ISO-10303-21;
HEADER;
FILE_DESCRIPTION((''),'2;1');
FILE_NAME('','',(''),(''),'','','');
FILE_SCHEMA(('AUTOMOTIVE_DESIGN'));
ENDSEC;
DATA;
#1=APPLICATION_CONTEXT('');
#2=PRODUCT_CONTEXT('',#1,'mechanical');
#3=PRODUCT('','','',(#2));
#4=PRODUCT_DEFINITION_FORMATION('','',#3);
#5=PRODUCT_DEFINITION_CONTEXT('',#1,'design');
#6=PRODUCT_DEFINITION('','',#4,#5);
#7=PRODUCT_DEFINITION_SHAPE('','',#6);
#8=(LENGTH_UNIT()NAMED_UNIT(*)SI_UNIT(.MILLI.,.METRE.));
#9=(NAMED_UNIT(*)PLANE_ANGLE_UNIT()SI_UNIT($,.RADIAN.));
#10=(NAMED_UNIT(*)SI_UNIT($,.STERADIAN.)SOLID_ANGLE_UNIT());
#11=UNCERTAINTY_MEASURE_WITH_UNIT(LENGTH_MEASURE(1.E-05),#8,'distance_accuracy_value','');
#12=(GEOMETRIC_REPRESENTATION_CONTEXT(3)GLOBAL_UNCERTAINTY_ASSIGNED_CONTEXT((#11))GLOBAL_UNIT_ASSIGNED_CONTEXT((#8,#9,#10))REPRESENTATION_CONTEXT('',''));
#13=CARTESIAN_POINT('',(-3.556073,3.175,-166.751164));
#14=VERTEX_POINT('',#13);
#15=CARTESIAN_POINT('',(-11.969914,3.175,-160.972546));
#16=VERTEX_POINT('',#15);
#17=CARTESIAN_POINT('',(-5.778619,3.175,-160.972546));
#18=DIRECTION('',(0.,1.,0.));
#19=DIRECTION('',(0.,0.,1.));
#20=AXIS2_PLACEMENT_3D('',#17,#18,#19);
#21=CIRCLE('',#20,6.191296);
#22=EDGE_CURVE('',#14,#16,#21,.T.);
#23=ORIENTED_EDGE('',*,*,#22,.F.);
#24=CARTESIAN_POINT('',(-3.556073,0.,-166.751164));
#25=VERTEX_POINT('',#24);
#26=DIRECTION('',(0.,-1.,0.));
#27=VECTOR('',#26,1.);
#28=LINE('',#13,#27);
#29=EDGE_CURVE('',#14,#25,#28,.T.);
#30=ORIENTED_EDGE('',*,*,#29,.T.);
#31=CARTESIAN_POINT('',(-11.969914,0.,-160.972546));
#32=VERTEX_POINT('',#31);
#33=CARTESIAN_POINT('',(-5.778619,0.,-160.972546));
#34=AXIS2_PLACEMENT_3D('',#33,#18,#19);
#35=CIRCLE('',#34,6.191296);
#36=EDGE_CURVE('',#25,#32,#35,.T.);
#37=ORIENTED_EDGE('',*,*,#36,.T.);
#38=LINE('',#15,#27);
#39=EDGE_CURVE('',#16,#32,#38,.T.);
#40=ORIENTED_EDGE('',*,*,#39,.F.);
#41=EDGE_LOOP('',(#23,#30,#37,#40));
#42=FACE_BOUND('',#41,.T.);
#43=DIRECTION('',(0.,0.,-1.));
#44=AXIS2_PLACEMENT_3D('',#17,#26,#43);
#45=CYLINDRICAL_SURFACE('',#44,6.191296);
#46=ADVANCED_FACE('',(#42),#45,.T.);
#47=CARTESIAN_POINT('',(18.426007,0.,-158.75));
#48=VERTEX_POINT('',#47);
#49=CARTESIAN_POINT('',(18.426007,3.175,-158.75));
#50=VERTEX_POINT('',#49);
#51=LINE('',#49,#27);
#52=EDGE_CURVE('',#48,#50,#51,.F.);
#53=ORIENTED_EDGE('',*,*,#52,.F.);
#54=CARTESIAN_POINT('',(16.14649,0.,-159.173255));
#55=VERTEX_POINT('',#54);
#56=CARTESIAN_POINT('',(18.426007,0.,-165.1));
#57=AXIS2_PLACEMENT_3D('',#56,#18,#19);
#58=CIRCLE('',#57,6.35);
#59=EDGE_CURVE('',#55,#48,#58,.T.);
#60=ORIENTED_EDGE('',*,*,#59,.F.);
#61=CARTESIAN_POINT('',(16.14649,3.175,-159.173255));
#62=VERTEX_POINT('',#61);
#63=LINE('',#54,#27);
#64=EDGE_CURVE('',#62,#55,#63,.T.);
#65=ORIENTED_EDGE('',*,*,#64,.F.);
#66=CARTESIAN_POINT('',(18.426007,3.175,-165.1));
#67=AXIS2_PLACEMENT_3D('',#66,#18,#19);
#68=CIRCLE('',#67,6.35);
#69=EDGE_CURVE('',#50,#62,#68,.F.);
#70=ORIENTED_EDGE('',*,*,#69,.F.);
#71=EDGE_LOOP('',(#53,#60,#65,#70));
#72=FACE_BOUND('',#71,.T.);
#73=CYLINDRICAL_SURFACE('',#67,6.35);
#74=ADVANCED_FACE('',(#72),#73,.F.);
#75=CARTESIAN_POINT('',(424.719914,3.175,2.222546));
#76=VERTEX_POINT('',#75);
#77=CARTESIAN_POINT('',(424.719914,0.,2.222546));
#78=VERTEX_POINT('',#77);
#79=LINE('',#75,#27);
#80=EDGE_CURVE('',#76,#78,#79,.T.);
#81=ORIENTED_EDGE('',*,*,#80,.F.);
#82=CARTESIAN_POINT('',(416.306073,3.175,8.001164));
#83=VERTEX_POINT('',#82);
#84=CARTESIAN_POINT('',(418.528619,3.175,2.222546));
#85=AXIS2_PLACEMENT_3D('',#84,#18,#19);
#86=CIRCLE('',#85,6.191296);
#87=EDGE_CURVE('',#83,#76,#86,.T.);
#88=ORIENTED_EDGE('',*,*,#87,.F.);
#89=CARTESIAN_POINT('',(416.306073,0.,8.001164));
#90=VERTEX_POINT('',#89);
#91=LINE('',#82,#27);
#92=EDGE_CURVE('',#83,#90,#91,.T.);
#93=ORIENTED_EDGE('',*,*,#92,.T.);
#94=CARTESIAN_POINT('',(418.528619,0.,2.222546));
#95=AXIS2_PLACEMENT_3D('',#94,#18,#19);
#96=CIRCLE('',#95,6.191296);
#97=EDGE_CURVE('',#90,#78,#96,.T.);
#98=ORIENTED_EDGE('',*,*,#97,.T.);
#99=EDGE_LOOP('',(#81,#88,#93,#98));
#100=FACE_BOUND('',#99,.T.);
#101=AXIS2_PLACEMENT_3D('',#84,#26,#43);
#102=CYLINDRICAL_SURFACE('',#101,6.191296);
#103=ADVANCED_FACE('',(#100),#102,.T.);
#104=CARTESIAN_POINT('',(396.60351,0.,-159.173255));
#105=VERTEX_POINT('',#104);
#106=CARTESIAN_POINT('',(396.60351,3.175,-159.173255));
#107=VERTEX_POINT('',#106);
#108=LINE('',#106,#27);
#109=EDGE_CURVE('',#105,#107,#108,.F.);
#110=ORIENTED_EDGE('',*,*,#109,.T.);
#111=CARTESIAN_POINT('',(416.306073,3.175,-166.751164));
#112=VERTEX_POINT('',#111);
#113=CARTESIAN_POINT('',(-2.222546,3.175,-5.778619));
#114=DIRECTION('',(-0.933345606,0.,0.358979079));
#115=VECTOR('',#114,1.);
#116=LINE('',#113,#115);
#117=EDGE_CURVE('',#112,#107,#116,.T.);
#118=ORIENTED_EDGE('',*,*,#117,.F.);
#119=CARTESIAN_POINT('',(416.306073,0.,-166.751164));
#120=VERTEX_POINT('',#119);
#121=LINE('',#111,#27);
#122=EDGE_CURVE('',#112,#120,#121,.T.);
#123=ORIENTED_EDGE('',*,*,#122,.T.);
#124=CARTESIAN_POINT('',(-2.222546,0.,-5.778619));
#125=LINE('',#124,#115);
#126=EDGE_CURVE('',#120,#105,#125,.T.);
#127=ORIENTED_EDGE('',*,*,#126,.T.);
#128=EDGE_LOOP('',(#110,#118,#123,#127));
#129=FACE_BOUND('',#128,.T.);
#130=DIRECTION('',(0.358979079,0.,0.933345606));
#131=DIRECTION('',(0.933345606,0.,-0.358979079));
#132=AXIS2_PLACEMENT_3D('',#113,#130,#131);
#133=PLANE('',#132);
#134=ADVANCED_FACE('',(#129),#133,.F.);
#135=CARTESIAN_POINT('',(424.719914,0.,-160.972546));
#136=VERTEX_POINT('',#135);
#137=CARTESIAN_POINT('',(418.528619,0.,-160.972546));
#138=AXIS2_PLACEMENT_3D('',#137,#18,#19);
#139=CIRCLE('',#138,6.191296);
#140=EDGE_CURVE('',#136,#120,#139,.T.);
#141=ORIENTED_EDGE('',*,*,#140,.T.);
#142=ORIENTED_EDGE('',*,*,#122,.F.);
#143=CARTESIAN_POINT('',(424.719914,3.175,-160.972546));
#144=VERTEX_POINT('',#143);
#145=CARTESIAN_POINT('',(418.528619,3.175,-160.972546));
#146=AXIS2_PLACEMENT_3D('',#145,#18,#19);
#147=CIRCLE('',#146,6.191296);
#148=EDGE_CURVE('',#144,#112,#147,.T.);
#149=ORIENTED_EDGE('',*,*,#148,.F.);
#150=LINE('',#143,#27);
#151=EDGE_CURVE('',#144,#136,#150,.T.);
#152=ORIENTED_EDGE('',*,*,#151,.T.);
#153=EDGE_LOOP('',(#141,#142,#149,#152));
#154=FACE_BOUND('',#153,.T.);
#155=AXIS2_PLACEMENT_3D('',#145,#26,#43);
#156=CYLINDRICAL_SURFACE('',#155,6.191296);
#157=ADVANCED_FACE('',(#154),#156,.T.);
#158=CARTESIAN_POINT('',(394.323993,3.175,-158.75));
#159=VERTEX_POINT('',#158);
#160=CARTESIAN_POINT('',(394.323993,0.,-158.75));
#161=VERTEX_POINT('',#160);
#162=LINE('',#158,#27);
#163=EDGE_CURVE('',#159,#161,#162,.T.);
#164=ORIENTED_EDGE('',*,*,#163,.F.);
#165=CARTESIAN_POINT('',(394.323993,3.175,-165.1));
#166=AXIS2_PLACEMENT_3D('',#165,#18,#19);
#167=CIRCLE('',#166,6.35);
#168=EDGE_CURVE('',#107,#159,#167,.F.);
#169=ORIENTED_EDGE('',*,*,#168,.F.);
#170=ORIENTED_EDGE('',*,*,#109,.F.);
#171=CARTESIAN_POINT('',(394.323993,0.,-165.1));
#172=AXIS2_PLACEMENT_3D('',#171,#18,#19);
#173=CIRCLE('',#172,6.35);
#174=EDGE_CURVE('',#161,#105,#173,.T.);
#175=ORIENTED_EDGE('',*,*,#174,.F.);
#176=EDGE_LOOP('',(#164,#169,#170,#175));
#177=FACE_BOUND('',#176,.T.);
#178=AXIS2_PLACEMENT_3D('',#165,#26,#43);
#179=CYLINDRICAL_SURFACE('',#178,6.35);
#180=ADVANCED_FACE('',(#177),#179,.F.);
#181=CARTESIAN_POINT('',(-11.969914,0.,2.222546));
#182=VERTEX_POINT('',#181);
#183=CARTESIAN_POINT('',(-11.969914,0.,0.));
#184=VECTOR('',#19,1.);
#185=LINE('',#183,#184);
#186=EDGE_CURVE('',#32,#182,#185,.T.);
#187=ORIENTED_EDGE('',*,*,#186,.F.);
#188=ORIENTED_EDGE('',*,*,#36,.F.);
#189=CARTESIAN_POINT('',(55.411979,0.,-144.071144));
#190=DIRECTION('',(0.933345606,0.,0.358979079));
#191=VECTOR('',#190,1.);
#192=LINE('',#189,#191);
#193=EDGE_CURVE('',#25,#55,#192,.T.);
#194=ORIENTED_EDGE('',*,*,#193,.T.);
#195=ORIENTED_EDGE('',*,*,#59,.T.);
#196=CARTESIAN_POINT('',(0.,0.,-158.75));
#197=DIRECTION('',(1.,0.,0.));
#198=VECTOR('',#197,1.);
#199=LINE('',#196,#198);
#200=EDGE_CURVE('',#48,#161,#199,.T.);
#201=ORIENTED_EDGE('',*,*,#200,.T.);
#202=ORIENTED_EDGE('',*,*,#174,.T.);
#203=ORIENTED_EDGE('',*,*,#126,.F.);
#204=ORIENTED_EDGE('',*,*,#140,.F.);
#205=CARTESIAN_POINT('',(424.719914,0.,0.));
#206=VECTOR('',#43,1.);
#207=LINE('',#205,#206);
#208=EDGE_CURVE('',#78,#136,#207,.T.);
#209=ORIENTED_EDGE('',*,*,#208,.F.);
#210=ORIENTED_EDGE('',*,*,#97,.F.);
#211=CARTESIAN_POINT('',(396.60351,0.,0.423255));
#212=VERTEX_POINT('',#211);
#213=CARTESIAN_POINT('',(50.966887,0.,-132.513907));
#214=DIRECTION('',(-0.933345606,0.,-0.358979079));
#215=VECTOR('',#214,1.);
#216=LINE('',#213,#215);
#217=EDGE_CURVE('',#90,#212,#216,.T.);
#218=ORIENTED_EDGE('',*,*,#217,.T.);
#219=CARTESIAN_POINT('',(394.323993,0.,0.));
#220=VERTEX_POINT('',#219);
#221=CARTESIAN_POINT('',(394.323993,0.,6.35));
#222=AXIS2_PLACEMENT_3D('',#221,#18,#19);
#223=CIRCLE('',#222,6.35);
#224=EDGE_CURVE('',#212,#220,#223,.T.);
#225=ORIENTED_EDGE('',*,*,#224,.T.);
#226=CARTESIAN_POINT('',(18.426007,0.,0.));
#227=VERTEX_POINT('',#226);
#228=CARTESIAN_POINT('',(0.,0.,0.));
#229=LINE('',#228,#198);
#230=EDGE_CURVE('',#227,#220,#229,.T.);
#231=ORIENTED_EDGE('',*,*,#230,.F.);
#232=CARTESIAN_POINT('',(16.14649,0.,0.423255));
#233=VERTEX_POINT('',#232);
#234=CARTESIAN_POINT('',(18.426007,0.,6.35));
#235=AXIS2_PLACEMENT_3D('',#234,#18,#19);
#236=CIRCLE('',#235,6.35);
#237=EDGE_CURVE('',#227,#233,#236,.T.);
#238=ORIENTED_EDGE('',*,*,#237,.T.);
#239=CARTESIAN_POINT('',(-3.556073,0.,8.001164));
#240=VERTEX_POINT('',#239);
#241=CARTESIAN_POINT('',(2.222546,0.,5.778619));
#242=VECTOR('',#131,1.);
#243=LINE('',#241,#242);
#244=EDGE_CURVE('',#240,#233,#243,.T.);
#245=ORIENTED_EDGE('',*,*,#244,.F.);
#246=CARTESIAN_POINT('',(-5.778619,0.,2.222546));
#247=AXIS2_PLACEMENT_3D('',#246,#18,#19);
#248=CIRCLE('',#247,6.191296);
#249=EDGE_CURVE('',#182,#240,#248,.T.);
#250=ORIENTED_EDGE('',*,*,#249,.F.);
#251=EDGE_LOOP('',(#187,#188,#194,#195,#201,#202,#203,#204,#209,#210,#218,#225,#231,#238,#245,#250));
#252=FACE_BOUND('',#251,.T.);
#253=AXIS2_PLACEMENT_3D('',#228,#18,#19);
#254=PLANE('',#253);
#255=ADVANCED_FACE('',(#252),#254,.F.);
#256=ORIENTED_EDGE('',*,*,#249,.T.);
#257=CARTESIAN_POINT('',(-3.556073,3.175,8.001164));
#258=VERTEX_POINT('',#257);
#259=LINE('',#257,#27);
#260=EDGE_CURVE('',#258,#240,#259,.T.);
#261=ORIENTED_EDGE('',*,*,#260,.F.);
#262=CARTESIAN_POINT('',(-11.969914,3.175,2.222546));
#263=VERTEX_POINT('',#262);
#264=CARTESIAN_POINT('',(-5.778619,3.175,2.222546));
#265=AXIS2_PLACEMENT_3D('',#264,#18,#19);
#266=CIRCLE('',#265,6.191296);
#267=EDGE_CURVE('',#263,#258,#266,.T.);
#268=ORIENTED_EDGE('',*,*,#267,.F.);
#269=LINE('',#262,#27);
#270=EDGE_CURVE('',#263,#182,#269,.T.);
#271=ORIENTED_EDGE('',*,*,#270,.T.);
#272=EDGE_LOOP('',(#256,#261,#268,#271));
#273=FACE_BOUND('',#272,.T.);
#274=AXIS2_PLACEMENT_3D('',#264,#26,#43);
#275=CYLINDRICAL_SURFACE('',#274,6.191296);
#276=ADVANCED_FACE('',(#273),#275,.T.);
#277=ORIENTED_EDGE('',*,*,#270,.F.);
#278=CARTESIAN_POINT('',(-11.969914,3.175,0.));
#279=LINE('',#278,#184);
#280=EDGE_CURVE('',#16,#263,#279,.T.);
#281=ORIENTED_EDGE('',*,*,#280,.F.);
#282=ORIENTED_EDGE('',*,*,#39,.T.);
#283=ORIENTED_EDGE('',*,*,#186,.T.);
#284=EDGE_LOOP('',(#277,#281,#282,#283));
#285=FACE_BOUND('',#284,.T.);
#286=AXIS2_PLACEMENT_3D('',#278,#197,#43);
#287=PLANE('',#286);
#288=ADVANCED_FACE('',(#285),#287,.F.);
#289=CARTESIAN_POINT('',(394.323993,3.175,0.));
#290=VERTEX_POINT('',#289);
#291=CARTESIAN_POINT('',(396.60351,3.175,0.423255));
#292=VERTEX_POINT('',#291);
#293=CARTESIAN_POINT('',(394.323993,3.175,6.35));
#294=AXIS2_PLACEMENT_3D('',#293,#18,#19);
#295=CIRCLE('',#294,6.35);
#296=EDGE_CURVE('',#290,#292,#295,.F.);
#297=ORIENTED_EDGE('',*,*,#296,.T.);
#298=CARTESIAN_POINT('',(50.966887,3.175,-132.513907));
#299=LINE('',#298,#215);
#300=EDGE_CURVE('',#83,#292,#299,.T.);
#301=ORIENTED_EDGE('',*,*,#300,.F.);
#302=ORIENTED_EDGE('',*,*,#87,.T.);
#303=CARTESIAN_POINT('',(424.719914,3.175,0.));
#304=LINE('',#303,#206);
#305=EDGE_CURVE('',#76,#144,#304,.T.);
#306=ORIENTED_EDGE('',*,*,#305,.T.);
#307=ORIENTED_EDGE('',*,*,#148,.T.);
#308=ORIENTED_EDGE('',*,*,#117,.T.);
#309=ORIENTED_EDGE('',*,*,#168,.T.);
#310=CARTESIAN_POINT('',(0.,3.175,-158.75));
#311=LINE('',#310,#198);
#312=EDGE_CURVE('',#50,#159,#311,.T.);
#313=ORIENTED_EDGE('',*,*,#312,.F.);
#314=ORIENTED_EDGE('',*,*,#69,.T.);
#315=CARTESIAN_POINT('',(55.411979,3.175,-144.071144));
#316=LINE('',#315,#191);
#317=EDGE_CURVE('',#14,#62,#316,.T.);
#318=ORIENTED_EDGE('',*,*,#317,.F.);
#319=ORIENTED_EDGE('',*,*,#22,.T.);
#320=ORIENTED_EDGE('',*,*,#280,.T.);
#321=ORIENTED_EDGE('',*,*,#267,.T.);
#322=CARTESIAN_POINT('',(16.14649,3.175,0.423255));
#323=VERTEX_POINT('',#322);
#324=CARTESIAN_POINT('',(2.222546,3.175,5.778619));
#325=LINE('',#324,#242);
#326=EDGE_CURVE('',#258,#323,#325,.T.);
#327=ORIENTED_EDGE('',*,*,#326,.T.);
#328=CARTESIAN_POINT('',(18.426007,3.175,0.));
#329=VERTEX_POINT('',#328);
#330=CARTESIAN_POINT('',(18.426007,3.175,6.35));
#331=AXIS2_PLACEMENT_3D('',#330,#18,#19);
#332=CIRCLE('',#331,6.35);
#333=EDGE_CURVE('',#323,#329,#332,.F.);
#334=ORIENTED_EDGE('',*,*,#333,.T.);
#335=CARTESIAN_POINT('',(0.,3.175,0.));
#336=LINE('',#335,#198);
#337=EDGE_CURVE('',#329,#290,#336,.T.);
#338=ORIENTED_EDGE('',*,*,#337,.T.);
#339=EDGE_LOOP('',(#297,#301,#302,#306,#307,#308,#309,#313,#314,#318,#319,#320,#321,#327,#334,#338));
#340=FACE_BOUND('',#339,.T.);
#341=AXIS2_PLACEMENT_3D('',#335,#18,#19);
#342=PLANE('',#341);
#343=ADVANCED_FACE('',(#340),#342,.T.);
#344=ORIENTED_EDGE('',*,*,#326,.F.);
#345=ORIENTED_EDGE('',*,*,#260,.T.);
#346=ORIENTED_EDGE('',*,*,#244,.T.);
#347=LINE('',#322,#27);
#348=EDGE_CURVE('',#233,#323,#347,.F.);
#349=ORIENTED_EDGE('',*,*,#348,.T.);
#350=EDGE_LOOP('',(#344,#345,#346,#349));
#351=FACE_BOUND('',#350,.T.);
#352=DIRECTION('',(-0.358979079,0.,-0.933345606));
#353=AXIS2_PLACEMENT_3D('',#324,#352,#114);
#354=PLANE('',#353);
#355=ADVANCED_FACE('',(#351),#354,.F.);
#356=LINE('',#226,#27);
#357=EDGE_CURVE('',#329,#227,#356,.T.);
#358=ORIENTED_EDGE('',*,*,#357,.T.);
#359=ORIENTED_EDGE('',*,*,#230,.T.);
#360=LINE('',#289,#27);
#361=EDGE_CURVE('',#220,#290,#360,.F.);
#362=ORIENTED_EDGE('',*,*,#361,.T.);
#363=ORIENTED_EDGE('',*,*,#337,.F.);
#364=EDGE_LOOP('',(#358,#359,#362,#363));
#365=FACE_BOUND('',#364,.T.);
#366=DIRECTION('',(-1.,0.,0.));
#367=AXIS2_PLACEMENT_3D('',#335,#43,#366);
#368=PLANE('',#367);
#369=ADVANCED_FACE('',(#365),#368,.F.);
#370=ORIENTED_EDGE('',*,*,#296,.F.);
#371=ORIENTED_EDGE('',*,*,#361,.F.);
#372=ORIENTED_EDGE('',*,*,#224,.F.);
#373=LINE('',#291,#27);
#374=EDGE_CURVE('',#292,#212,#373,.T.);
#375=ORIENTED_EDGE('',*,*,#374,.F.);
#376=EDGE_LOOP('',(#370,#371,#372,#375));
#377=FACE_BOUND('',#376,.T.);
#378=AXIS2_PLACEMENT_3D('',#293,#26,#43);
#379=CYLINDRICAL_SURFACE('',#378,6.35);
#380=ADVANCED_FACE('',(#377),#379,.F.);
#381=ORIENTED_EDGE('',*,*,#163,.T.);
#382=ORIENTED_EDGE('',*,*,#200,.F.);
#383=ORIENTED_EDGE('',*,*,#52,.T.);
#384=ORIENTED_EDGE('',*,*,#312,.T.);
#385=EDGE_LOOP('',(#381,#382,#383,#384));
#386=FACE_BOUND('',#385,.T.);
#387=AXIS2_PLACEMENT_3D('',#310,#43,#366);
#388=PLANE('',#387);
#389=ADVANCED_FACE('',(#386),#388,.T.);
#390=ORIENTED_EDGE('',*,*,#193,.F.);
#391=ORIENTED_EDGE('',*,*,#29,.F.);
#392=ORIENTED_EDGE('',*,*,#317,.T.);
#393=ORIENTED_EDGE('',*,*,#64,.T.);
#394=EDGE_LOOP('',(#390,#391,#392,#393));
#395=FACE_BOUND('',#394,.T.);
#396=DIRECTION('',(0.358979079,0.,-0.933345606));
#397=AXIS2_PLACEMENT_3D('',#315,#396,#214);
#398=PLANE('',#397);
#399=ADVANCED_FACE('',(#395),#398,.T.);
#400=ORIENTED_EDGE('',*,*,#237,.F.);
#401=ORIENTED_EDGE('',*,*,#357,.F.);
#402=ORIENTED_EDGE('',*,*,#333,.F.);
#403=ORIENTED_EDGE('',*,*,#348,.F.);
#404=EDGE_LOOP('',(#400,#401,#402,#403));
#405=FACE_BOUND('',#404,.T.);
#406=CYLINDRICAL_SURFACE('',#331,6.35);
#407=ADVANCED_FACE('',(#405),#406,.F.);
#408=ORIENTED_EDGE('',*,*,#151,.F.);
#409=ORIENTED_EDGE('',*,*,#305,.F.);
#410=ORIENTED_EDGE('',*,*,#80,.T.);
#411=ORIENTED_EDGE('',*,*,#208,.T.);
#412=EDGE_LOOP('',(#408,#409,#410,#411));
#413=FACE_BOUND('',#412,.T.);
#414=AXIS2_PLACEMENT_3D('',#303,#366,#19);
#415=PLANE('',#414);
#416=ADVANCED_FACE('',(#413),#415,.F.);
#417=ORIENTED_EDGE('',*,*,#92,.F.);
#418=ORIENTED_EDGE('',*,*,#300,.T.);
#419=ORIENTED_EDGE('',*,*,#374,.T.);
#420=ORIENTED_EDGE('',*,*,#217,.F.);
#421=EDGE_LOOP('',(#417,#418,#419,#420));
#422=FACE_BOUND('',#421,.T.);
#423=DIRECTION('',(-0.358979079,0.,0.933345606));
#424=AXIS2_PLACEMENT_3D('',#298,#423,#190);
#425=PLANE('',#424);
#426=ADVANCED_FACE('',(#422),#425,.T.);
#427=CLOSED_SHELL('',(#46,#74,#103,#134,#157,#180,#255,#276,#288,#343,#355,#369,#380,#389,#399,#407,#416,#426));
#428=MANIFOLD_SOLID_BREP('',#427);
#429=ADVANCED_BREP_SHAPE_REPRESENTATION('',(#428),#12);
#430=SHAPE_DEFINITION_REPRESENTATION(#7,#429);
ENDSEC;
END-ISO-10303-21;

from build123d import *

# Parameters (mm, degrees)
SKETCH1_W           = 412.75
SKETCH1_H           = 158.75
SKETCH1_R           = 6.191295591
BOSS_EXTRUDE1_DEPTH = 3.175
FILLET1_R           = 6.35


with BuildPart() as part:
    # Sketch1 → Boss-Extrude1 (new body)
    with BuildSketch(Plane(origin=(0, 0, 0), x_dir=(1, 0, 0), z_dir=(0, 1, 0))):
        with Locations((206.375, 79.375)):
            Rectangle(SKETCH1_W, SKETCH1_H)
        with Locations((418.528618537, 160.972545591)):
            Circle(SKETCH1_R)
        with BuildLine():
            Line((416.306072946, 166.751164128), (395.503046214, 158.75))
            Line((395.503046214, 158.75), (412.75, 158.75))
            ThreePointArc((412.75, 158.75), (412.870941125, 163.487068885), (416.306072946, 166.751164128))
        make_face()
        with BuildLine():
            Line((412.75, 158.75), (412.75, 0))
            ThreePointArc((412.75, 0), (419.658885237, 3.864706522), (424.719914128, -2.222545591))
            Line((424.719914128, -2.222545591), (424.719914128, 160.972545591))
            ThreePointArc((424.719914128, 160.972545591), (419.658885237, 154.885293478), (412.75, 158.75))
        make_face()
        with BuildLine():
            Line((412.75, 0), (395.503046214, 0))
            Line((395.503046214, 0), (416.306072946, -8.001164128))
            ThreePointArc((416.306072946, -8.001164128), (412.870941125, -4.737068885), (412.75, 0))
        make_face()
        with Locations((418.528618537, -2.222545591)):
            Circle(SKETCH1_R)
        with Locations((-5.778618537, 160.972545591)):
            Circle(SKETCH1_R)
        with BuildLine():
            ThreePointArc((0.412677054, 160.972545591), (0.308633576, 159.842278891), (0, 158.75))
            Line((0, 158.75), (17.246953786, 158.75))
            Line((17.246953786, 158.75), (-3.556072946, 166.751164128))
            ThreePointArc((-3.556072946, 166.751164128), (-0.675062041, 164.47766359), (0.412677054, 160.972545591))
        make_face()
        with BuildLine():
            ThreePointArc((-11.969914128, -2.222545591), (-6.908885237, 3.864706522), (0, 0))
            Line((0, 0), (0, 158.75))
            ThreePointArc((0, 158.75), (-6.908885237, 154.885293478), (-11.969914128, 160.972545591))
            Line((-11.969914128, 160.972545591), (-11.969914128, -2.222545591))
        make_face()
        with Locations((-5.778618537, -2.222545591)):
            Circle(SKETCH1_R)
        with BuildLine():
            Line((17.246953786, 0), (0, 0))
            ThreePointArc((0, 0), (0.308633576, -1.092278891), (0.412677054, -2.222545591))
            ThreePointArc((0.412677054, -2.222545591), (-0.675062041, -5.72766359), (-3.556072946, -8.001164128))
            Line((-3.556072946, -8.001164128), (17.246953786, 0))
        make_face()
    extrude(amount=BOSS_EXTRUDE1_DEPTH)

    # Fillet1
    fillet1_edges = [part.edges().sort_by_distance(p)[0] for p in [
        (17.246953786, 1.5875, -158.75),
        (395.503046214, 1.5875, -158.75),
        (395.503046214, 1.5875, 0),
        (17.246953786, 1.5875, 0),
    ]]
    fillet(fillet1_edges, radius=FILLET1_R)


solid = part.part
